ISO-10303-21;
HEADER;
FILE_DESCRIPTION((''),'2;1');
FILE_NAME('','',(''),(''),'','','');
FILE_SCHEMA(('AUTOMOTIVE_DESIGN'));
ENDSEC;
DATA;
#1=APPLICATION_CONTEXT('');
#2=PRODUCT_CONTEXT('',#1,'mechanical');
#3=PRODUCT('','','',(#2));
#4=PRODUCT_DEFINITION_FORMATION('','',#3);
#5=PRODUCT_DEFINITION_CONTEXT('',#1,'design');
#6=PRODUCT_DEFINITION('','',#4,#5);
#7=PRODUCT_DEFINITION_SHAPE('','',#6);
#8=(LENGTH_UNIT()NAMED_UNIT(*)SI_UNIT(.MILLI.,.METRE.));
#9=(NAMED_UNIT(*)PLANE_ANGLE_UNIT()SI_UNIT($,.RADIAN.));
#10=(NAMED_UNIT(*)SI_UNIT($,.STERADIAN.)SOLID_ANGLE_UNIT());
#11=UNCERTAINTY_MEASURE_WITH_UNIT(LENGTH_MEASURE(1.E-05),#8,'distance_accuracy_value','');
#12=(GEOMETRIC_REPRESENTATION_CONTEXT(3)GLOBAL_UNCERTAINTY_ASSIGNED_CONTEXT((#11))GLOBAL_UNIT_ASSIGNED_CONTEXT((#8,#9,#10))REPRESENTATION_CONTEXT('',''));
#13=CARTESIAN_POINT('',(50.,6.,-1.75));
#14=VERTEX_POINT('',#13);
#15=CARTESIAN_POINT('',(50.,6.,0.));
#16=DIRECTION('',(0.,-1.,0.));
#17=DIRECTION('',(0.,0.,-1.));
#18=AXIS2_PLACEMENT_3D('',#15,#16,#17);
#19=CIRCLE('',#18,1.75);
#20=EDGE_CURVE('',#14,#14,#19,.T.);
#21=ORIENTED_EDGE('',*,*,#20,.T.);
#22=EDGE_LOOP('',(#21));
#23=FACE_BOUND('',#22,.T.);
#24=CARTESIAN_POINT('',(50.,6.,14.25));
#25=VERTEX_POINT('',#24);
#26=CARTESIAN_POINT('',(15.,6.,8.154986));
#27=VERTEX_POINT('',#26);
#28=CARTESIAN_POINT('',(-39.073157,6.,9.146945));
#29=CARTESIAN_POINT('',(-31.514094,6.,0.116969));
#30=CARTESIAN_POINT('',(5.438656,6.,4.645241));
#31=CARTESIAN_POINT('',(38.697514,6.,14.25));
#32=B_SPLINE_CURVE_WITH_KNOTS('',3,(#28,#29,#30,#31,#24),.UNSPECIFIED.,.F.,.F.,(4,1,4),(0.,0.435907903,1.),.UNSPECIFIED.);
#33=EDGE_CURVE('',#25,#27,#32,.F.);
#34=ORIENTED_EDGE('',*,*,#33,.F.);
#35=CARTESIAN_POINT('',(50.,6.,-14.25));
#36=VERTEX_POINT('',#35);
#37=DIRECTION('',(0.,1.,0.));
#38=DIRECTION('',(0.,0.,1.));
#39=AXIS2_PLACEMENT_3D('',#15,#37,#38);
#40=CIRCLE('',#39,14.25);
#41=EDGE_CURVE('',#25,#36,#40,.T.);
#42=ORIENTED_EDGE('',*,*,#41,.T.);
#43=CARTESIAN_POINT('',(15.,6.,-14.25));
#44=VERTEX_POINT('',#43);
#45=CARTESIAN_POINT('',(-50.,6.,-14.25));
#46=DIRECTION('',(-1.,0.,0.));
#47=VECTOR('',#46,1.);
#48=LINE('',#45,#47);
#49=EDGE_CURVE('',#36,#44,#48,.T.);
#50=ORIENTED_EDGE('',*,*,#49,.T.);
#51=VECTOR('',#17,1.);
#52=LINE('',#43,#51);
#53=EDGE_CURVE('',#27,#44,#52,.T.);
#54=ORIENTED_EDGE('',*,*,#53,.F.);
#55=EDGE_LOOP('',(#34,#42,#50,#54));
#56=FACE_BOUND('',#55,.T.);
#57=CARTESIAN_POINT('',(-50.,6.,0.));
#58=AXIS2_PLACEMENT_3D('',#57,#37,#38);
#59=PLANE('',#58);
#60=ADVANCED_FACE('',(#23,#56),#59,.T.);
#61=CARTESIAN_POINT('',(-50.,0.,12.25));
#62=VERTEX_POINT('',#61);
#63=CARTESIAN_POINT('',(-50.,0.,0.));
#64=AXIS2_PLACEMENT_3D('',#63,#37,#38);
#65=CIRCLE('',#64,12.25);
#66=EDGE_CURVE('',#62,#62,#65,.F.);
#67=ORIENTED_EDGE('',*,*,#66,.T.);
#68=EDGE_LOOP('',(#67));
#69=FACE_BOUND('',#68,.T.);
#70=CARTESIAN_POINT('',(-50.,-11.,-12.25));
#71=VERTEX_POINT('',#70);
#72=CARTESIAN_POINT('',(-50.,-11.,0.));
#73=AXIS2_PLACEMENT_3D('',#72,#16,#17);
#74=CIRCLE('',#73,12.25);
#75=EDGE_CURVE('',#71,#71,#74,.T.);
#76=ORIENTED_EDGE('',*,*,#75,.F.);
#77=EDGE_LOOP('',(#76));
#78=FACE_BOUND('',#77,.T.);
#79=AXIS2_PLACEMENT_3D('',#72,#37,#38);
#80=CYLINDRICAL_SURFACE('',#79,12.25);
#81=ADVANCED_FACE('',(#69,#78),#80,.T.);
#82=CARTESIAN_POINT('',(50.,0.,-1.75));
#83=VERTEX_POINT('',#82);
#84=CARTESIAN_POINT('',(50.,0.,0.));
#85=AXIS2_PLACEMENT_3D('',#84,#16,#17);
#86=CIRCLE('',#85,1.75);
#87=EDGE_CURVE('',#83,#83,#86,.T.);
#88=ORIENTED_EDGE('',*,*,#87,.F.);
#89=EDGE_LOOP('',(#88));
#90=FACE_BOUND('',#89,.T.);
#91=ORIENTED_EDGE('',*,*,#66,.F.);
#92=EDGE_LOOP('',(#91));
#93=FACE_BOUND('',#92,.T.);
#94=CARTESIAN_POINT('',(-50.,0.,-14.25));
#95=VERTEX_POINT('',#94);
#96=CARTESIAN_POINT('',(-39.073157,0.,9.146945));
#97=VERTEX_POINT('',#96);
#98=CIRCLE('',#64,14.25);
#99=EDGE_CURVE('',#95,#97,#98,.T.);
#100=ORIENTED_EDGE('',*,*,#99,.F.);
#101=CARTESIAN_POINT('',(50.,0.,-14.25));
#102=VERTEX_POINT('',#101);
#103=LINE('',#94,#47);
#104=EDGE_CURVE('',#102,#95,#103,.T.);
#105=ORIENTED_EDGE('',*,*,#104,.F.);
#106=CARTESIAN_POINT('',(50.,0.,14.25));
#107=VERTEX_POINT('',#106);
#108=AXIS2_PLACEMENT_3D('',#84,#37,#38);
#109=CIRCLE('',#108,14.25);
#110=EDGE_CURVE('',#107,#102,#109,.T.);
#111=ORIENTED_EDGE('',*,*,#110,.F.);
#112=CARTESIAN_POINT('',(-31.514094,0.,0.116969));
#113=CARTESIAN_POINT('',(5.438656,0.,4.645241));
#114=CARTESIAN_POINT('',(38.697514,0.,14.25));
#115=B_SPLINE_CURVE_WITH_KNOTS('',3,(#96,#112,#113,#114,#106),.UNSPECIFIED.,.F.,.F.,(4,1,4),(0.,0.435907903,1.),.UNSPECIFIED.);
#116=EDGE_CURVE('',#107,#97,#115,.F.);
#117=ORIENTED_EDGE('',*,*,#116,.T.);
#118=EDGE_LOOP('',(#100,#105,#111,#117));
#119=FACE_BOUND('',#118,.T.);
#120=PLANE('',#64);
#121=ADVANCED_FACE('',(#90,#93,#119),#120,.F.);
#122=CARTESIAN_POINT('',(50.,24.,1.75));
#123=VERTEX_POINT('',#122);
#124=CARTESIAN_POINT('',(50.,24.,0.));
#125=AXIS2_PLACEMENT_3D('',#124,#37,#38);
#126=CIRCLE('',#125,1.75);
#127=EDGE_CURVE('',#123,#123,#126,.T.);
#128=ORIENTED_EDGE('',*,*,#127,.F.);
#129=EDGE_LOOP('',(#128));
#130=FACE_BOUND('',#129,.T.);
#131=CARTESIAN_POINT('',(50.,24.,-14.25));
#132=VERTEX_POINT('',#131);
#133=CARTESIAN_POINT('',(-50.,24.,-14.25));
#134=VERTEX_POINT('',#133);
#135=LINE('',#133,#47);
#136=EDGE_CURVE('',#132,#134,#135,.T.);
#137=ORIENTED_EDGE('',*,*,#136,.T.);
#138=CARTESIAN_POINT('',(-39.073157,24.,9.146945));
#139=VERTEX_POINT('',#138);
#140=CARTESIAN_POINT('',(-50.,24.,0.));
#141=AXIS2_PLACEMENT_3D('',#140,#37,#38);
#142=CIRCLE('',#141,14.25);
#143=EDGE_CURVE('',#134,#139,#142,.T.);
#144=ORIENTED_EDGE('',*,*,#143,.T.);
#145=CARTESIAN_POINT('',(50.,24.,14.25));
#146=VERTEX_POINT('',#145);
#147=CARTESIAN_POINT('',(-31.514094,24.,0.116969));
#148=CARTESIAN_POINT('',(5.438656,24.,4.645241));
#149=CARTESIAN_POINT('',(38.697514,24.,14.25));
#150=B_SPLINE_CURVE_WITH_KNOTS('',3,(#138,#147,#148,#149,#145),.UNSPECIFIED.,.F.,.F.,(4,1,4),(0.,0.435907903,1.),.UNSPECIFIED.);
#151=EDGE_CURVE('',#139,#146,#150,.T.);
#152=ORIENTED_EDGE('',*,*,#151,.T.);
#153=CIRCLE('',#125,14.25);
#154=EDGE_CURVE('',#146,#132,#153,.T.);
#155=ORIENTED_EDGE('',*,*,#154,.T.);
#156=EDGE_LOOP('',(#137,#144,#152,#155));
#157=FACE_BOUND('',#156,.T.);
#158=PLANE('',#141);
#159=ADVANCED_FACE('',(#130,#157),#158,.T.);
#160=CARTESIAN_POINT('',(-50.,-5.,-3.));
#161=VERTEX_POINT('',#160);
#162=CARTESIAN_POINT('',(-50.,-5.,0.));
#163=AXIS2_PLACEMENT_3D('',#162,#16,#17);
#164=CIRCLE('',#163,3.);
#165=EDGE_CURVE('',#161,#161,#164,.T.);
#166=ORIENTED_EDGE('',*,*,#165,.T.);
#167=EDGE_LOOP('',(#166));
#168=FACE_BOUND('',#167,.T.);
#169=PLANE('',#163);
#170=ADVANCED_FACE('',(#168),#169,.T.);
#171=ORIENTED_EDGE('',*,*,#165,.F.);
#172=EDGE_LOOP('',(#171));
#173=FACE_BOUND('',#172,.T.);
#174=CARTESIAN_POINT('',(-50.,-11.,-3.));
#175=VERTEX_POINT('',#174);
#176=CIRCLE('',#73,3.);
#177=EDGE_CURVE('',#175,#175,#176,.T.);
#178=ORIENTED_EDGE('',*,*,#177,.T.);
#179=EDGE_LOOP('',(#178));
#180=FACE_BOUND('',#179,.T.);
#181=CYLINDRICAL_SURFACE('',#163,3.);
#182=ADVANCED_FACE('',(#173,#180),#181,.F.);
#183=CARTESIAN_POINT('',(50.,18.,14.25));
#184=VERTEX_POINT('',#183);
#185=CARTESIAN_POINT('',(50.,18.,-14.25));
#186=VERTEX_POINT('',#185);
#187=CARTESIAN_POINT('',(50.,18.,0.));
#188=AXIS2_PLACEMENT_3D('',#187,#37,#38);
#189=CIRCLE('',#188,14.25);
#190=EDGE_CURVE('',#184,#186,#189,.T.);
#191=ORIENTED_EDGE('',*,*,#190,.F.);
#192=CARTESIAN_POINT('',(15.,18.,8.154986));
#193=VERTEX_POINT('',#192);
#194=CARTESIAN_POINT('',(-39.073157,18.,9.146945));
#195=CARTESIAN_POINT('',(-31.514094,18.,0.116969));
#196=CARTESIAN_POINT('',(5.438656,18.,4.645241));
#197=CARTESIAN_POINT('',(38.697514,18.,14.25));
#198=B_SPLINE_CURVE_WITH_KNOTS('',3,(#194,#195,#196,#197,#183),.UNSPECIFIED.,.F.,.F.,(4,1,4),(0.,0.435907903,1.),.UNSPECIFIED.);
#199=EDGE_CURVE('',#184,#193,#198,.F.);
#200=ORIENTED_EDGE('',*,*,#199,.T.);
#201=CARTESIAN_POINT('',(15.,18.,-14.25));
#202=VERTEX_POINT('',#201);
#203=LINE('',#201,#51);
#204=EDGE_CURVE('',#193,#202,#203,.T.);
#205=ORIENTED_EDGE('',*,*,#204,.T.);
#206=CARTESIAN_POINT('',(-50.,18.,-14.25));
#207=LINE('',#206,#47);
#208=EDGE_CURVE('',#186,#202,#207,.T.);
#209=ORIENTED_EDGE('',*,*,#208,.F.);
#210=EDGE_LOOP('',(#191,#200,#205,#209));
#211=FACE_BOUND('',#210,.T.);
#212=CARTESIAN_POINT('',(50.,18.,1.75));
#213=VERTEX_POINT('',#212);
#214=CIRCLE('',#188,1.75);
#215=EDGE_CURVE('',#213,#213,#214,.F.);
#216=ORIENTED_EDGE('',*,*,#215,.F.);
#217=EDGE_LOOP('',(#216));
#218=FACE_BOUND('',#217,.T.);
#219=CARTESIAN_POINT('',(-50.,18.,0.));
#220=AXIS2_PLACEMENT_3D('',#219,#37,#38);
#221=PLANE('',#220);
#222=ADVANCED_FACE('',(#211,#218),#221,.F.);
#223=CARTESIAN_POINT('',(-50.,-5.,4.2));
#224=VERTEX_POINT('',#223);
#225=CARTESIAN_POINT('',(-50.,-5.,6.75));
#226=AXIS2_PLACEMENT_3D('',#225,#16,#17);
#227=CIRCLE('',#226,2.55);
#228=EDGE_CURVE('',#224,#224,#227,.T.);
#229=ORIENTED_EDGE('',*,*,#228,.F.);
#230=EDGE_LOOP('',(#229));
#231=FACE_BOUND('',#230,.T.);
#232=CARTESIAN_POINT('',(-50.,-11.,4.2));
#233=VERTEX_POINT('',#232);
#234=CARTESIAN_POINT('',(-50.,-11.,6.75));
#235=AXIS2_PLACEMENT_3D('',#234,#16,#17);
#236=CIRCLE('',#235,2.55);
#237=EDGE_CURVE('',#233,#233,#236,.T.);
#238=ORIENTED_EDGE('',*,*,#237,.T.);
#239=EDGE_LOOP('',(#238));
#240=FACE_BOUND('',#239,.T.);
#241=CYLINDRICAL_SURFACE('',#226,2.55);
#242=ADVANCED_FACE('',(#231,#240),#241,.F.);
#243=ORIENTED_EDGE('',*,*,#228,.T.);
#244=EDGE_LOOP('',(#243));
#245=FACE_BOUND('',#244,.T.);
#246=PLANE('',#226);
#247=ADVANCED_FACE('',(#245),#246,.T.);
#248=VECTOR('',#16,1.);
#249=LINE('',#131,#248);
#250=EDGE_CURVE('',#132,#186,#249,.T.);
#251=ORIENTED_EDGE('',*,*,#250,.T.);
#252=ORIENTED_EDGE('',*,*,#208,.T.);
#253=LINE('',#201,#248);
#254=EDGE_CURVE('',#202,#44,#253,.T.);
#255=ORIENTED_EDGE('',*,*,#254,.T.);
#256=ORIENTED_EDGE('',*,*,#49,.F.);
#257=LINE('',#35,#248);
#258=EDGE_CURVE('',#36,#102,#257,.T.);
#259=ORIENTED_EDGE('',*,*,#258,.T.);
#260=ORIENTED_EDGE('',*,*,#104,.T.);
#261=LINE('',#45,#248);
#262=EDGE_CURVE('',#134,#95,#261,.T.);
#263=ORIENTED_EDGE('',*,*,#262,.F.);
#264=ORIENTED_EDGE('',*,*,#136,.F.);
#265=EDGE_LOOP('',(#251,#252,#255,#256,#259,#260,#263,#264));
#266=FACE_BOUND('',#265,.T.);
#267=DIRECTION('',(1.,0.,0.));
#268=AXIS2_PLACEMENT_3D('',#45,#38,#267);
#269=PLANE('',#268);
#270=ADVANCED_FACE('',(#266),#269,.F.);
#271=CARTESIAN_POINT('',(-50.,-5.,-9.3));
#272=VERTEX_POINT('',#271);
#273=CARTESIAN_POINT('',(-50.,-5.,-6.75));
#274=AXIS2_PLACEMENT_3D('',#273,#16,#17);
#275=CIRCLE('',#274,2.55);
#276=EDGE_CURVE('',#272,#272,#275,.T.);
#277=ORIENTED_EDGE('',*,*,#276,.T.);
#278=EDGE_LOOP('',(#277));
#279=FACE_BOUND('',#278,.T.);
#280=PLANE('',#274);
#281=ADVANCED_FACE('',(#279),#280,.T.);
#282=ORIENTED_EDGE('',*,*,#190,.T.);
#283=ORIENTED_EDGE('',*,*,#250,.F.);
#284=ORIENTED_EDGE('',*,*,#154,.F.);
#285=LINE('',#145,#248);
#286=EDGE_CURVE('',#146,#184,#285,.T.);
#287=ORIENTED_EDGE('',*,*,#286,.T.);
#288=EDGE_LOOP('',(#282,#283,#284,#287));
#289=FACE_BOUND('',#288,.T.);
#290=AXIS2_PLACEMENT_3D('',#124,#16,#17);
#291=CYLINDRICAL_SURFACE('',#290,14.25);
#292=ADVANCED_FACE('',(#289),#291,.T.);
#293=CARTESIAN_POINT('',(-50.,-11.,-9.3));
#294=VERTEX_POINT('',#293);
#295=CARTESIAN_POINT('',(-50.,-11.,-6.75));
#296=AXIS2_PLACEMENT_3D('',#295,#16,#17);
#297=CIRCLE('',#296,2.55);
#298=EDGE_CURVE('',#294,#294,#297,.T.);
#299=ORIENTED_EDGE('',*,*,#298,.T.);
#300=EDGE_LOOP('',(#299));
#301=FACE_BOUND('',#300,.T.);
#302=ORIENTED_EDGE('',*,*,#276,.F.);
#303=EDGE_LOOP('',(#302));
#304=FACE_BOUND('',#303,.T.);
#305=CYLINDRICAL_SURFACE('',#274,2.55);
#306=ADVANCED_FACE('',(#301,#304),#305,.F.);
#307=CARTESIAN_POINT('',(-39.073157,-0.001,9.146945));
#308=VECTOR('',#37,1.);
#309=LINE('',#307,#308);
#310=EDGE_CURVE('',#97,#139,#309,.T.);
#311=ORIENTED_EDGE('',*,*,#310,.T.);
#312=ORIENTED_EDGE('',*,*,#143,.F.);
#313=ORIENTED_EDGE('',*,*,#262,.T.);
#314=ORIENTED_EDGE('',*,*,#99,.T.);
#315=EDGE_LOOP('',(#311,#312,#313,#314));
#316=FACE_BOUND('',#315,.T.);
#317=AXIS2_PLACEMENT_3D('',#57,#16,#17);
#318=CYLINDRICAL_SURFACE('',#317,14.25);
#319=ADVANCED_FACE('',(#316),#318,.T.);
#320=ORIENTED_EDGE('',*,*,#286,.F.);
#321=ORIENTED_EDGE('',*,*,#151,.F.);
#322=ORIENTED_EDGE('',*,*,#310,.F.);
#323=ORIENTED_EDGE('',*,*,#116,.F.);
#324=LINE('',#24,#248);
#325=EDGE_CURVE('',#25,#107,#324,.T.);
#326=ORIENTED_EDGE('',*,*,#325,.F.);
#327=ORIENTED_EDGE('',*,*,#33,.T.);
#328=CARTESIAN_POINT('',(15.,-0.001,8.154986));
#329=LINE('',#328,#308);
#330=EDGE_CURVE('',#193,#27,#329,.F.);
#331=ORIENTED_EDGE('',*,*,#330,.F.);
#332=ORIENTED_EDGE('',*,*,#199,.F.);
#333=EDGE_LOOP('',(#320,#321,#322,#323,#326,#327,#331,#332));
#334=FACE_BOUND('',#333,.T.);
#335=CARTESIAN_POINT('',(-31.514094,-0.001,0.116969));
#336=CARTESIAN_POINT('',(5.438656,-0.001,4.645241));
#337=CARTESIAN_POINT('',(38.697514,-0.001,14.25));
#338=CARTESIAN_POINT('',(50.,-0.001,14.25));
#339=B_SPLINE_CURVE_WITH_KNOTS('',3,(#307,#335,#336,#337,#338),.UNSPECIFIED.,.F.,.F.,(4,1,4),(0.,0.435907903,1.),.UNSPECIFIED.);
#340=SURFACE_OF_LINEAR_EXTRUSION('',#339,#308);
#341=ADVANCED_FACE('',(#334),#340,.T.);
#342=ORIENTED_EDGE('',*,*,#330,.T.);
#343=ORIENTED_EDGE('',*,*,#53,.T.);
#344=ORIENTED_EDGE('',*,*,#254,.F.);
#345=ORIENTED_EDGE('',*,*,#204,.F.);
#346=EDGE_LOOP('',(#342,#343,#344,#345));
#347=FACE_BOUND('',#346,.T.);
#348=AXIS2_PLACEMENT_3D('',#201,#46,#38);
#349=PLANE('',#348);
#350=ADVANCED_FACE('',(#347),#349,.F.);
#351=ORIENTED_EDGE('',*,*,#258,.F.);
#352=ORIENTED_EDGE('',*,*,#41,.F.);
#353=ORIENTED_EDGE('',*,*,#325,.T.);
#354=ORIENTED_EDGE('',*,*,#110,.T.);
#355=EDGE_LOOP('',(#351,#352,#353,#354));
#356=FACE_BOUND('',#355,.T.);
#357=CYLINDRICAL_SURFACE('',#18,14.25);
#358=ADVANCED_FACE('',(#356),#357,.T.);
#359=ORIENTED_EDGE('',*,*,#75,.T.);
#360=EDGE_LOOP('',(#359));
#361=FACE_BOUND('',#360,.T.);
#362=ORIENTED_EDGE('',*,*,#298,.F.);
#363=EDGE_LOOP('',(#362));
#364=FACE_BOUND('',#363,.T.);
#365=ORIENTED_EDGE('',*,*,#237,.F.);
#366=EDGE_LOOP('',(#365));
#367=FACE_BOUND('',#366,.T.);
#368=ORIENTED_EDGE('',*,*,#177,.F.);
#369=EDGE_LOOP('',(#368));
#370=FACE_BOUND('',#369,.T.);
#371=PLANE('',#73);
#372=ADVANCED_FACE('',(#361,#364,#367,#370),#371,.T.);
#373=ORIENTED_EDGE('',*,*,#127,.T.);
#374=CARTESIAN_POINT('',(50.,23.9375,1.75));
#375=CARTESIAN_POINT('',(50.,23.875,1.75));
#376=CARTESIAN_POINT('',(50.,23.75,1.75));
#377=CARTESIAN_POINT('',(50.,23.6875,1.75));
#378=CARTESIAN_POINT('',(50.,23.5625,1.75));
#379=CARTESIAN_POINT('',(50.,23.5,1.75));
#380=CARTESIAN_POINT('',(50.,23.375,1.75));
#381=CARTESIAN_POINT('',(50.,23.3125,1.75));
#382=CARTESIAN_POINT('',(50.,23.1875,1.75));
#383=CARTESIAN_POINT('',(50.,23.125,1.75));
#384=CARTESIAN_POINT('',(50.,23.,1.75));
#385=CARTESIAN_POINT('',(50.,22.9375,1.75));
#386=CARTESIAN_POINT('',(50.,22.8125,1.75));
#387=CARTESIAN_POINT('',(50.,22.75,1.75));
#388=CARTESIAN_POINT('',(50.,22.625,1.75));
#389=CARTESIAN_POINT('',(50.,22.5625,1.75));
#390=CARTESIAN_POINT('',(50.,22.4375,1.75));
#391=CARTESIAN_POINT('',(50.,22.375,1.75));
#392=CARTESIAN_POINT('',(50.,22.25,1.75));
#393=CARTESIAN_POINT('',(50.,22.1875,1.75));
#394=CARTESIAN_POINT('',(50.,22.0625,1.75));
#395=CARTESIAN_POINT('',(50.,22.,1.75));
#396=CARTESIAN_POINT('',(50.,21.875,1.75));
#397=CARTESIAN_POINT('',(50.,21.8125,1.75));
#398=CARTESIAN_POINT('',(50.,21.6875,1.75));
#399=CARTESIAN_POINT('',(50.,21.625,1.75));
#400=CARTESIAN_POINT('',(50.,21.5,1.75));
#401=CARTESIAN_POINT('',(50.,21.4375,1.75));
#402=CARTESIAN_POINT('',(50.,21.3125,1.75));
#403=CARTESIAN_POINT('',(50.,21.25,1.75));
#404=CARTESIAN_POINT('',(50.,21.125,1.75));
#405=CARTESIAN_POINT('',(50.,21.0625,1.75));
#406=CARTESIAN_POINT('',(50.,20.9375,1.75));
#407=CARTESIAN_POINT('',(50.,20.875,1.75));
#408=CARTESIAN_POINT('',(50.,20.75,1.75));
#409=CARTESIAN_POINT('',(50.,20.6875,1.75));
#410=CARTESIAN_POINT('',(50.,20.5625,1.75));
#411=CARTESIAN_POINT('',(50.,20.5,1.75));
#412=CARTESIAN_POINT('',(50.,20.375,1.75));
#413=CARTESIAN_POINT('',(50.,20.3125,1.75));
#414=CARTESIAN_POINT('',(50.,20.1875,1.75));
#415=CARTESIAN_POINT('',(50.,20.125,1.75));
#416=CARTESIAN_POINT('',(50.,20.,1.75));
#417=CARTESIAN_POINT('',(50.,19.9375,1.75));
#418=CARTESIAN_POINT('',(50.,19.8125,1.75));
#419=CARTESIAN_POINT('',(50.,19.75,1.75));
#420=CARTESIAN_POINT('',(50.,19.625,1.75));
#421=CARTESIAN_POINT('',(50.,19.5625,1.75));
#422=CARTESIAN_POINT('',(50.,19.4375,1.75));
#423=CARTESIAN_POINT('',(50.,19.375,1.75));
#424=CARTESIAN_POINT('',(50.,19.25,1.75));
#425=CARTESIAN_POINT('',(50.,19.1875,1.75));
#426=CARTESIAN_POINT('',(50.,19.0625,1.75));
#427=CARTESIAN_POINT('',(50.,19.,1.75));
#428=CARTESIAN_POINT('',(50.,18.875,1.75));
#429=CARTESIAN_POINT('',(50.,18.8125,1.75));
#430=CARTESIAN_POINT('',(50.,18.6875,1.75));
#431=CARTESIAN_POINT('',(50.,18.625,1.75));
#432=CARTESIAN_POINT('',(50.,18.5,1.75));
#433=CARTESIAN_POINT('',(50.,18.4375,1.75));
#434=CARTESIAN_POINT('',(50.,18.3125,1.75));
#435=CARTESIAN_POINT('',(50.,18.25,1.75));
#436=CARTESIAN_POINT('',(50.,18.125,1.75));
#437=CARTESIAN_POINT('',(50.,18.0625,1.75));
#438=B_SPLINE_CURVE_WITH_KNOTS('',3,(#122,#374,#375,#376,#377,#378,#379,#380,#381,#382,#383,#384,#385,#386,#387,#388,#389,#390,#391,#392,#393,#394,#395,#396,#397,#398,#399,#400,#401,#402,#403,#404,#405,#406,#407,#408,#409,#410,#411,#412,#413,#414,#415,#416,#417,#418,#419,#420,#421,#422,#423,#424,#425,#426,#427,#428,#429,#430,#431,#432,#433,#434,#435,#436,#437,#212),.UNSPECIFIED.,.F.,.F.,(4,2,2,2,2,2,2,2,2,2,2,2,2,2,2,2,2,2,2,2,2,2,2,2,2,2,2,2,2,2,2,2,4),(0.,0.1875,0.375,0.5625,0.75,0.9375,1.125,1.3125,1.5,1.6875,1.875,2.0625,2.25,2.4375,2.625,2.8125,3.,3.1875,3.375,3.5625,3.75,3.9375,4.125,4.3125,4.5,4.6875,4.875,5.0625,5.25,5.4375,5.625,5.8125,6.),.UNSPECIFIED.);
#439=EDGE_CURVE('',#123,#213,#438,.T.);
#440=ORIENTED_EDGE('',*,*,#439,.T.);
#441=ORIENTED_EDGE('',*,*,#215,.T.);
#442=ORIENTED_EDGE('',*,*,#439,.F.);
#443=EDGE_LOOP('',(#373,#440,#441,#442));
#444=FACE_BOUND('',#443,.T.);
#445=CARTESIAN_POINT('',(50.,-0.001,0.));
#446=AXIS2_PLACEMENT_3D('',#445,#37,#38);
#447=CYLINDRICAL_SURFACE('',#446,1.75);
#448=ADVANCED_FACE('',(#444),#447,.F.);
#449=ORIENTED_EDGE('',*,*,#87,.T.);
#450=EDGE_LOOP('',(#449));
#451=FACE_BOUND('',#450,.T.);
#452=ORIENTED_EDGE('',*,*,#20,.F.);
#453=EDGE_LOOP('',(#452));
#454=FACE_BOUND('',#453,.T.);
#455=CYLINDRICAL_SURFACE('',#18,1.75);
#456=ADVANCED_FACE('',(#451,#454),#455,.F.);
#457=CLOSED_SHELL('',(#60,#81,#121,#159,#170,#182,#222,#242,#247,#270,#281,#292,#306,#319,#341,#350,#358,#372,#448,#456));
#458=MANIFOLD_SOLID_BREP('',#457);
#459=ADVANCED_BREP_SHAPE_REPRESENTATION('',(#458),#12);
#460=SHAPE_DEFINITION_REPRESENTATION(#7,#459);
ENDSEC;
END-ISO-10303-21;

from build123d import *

# Parameters (mm, degrees)
BOSS_EXTRUDE1_DEPTH = 6
SKETCH3_R           = 1.75
CUT_EXTRUDE2_DEPTH  = 67.08422656
BOSS_EXTRUDE2_DEPTH = 12
BOSS_EXTRUDE3_DEPTH = 6
CUT_EXTRUDE3_REACH  = 72.051
SKETCH6_R           = 1.75
CUT_EXTRUDE4_REACH  = 72.051
SKETCH8_R           = 12.25
BOSS_EXTRUDE4_DEPTH = 11
SKETCH9_R           = 2.55
SKETCH9_R_2         = 3
CUT_EXTRUDE5_DEPTH  = 6


with BuildPart() as part:
    # Sketch1 → Boss-Extrude1 (new body)
    with BuildSketch(Plane(origin=(0, 0, 0), x_dir=(1, 0, 0), z_dir=(0, 1, 0))):
        with BuildLine():
            Line((-50, 14.25), (50, 14.25))
            ThreePointArc((50, 14.25), (64.25, 0), (50, -14.25))
            Line((50, -14.25), (-50, -14.25))
            ThreePointArc((-50, -14.25), (-64.25, 0), (-50, 14.25))
        make_face()
    extrude(amount=BOSS_EXTRUDE1_DEPTH)

    # Sketch3 → Cut-Extrude2 (cut, through all)
    with BuildSketch(Plane.XZ):
        with Locations(Location((50, 0, 0), (0, 0, 270))):
            Circle(SKETCH3_R)
    extrude(amount=-CUT_EXTRUDE2_DEPTH, mode=Mode.SUBTRACT)

    # Sketch4 → Boss-Extrude2 (add)
    with BuildSketch(Plane(origin=(0, 6, 0), x_dir=(1, 0, 0), z_dir=(0, 1, 0))):
        with BuildLine():
            Line((-50, 14.25), (15, 14.25))
            Line((15, 14.25), (15, -14.25))
            Line((15, -14.25), (-50, -14.25))
            ThreePointArc((-50, -14.25), (-64.25, 0), (-50, 14.25))
        make_face()
    extrude(amount=BOSS_EXTRUDE2_DEPTH)

    # Sketch5 → Boss-Extrude3 (add)
    with BuildSketch(Plane(origin=(0, 18, 0), x_dir=(1, 0, 0), z_dir=(0, 1, 0))):
        with BuildLine():
            Line((-50, 14.25), (50, 14.25))
            ThreePointArc((50, 14.25), (64.25, 0), (50, -14.25))
            Line((50, -14.25), (-50, -14.25))
            ThreePointArc((-50, -14.25), (-64.25, 0), (-50, 14.25))
        make_face()
    extrude(amount=BOSS_EXTRUDE3_DEPTH)

    # Sketch6 → Cut-Extrude3 (cut, up to next)
    with BuildSketch(Plane(origin=(0, 24, 0), x_dir=(1, 0, 0), z_dir=(0, 1, 0)), mode=Mode.PRIVATE) as cut_extrude3_sk1:
        with Locations(Location((50, 0, 0), (0, 0, 90))):
            Circle(SKETCH6_R)
    cut_extrude3_tool1 = extrude(cut_extrude3_sk1.sketch, amount=-CUT_EXTRUDE3_REACH, mode=Mode.PRIVATE) & part.part
    add(cut_extrude3_tool1.solids().sort_by_distance((50, 24, 0))[0], mode=Mode.SUBTRACT)

    # Sketch7 → Cut-Extrude4 (cut, up to next)
    with BuildSketch(Plane(origin=(0, 24, 0), x_dir=(1, 0, 0), z_dir=(0, 1, 0)), mode=Mode.PRIVATE) as cut_extrude4_sk1:
        with BuildLine():
            ThreePointArc((-39.07315683, -9.146944754), (-43.970135273, -12.911360555), (-50, -14.25))
            Line((-50, -14.25), (50, -14.25))
            add(Edge.make_bspline(
                [(-39.07315683, -9.146944754), (-31.514094033, -0.116968526), (5.438655837, -4.645240543), (38.697514387, -14.25), (50, -14.25)],
                knots=[0, 0, 0, 0, 0.435907903, 1, 1, 1, 1], degree=3))
        make_face()
    cut_extrude4_tool1 = extrude(cut_extrude4_sk1.sketch, amount=-CUT_EXTRUDE4_REACH, mode=Mode.PRIVATE) & part.part
    add(cut_extrude4_tool1.solids().sort_by_distance((-8.590717, 24, 9.791359))[0], mode=Mode.SUBTRACT)

    # Sketch8 → Boss-Extrude4 (add)
    with BuildSketch(Plane.XZ):
        with Locations(Location((-50, 0, 0), (0, 0, 90))):
            Circle(SKETCH8_R)
    extrude(amount=BOSS_EXTRUDE4_DEPTH)

    # Sketch9 → Cut-Extrude5 (cut)
    with BuildSketch(Plane.XZ.offset(11)):
        with Locations(Location((-50, 6.75, 0), (0, 0, 270))):
            Circle(SKETCH9_R)
        with Locations(Location((-50, -6.75, 0), (0, 0, 270))):
            Circle(SKETCH9_R)
        with Locations(Location((-50, 0, 0), (0, 0, 270))):
            Circle(SKETCH9_R_2)
    extrude(amount=-CUT_EXTRUDE5_DEPTH, mode=Mode.SUBTRACT)


solid = part.part
